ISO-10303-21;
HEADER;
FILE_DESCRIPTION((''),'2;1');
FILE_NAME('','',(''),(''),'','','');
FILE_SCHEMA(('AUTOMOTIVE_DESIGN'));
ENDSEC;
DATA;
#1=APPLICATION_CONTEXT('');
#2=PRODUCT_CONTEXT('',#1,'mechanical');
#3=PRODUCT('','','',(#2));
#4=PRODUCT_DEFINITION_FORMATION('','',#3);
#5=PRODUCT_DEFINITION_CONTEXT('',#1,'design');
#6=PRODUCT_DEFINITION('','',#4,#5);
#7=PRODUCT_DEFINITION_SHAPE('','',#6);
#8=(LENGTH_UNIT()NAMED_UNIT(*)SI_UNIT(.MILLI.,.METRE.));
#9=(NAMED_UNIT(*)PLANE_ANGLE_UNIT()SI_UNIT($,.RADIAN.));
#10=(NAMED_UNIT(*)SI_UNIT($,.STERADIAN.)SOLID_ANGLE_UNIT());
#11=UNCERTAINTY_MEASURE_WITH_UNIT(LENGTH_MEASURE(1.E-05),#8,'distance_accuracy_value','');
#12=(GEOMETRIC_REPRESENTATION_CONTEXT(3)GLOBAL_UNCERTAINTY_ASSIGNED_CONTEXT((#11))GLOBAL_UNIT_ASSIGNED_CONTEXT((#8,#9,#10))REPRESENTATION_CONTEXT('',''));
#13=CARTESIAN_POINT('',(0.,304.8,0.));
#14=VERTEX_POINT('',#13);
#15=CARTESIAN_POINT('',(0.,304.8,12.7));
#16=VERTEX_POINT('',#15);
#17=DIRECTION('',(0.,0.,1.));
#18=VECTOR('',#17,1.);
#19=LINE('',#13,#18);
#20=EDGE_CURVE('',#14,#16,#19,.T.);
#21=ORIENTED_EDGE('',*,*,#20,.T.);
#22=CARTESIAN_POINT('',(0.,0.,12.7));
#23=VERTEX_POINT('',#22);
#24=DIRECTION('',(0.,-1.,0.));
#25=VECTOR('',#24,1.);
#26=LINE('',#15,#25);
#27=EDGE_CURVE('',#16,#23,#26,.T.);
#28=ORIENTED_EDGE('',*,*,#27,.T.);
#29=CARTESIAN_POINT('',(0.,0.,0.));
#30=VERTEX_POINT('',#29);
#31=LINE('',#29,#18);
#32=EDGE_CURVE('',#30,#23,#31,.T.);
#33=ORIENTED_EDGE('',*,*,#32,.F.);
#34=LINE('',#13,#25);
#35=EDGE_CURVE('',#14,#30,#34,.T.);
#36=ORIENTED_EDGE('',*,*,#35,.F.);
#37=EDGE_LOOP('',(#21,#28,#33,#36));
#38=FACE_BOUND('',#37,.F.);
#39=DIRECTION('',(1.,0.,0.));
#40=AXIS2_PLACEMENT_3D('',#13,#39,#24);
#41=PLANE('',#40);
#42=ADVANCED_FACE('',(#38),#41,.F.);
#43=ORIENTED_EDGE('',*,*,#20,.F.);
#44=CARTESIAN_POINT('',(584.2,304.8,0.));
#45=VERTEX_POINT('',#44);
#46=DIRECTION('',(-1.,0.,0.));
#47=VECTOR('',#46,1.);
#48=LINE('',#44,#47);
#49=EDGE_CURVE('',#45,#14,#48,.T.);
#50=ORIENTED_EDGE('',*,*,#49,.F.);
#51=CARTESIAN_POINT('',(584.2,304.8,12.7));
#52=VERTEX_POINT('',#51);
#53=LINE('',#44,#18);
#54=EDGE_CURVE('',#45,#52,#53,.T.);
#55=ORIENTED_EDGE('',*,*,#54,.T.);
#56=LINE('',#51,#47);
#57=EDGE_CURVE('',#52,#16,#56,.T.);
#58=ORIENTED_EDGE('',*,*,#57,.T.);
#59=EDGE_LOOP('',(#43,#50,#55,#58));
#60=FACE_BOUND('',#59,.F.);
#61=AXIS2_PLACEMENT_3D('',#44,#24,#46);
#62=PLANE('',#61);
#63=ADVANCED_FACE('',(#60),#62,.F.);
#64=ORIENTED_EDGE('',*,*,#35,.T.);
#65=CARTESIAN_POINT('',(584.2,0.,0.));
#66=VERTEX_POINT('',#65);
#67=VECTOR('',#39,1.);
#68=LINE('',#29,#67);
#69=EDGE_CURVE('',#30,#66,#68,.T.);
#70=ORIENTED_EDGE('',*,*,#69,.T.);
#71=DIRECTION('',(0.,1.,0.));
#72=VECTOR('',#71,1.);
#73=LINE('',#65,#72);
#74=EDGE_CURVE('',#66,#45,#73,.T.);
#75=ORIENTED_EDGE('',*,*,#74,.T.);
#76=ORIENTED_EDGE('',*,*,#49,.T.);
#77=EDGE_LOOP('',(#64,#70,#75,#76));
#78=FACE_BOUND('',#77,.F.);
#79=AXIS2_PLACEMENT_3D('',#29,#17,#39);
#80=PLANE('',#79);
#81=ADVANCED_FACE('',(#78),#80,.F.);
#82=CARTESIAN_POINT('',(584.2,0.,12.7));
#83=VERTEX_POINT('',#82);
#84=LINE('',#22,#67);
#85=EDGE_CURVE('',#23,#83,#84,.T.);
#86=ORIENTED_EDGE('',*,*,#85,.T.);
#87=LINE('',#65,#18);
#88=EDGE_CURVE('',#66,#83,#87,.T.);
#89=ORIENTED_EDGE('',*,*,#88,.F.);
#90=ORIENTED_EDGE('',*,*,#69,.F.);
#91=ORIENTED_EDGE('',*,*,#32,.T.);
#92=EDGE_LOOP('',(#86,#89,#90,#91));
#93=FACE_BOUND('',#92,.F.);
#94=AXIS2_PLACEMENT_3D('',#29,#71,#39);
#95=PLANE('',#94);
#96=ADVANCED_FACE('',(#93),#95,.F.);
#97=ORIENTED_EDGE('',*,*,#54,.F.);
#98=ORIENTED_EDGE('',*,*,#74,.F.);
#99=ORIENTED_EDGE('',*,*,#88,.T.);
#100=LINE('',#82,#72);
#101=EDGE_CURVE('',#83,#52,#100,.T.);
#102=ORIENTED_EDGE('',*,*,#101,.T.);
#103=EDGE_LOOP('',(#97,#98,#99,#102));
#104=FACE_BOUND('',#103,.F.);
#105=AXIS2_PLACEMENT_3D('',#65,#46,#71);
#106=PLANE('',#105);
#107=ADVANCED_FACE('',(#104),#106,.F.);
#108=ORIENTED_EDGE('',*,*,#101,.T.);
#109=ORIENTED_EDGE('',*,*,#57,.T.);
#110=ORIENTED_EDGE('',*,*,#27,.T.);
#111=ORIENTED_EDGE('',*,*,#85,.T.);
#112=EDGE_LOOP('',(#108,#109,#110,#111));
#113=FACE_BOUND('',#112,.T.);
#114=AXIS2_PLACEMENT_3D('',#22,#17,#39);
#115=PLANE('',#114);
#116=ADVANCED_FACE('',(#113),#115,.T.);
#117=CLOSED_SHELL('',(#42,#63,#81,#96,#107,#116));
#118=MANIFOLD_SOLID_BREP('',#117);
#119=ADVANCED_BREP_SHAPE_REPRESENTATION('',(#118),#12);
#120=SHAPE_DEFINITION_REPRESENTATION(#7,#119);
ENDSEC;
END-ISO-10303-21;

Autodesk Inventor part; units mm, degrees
ref_plane "YZ Plane" through (0, 0, 0) normal (1, 0, 0) x (0, 1, 0)
ref_plane "XZ Plane" through (0, 0, 0) normal (0, 1, 0) x (-1, 0, 0)
ref_plane "XY Plane" through (0, 0, 0) normal (0, 0, 1) x (1, 0, 0)
sketch "Sketch1" plane through (0, 0, 0) normal (0, 0, 1) x (1, 0, 0)
  line L0 (0, 0) -> (584.2, 0)
  line L1 (584.2, 0) -> (584.2, 304.8)
  line L2 (584.2, 304.8) -> (0, 304.8)
  line L3 (0, 304.8) -> (0, 0)
  dimension "d0" = 584.2
  dimension "d1" = 304.8
extrude "Extrusion1" add sketch "Sketch1" along normal blind 12.7
properties part number "side" material "Wood (Cherry)"
